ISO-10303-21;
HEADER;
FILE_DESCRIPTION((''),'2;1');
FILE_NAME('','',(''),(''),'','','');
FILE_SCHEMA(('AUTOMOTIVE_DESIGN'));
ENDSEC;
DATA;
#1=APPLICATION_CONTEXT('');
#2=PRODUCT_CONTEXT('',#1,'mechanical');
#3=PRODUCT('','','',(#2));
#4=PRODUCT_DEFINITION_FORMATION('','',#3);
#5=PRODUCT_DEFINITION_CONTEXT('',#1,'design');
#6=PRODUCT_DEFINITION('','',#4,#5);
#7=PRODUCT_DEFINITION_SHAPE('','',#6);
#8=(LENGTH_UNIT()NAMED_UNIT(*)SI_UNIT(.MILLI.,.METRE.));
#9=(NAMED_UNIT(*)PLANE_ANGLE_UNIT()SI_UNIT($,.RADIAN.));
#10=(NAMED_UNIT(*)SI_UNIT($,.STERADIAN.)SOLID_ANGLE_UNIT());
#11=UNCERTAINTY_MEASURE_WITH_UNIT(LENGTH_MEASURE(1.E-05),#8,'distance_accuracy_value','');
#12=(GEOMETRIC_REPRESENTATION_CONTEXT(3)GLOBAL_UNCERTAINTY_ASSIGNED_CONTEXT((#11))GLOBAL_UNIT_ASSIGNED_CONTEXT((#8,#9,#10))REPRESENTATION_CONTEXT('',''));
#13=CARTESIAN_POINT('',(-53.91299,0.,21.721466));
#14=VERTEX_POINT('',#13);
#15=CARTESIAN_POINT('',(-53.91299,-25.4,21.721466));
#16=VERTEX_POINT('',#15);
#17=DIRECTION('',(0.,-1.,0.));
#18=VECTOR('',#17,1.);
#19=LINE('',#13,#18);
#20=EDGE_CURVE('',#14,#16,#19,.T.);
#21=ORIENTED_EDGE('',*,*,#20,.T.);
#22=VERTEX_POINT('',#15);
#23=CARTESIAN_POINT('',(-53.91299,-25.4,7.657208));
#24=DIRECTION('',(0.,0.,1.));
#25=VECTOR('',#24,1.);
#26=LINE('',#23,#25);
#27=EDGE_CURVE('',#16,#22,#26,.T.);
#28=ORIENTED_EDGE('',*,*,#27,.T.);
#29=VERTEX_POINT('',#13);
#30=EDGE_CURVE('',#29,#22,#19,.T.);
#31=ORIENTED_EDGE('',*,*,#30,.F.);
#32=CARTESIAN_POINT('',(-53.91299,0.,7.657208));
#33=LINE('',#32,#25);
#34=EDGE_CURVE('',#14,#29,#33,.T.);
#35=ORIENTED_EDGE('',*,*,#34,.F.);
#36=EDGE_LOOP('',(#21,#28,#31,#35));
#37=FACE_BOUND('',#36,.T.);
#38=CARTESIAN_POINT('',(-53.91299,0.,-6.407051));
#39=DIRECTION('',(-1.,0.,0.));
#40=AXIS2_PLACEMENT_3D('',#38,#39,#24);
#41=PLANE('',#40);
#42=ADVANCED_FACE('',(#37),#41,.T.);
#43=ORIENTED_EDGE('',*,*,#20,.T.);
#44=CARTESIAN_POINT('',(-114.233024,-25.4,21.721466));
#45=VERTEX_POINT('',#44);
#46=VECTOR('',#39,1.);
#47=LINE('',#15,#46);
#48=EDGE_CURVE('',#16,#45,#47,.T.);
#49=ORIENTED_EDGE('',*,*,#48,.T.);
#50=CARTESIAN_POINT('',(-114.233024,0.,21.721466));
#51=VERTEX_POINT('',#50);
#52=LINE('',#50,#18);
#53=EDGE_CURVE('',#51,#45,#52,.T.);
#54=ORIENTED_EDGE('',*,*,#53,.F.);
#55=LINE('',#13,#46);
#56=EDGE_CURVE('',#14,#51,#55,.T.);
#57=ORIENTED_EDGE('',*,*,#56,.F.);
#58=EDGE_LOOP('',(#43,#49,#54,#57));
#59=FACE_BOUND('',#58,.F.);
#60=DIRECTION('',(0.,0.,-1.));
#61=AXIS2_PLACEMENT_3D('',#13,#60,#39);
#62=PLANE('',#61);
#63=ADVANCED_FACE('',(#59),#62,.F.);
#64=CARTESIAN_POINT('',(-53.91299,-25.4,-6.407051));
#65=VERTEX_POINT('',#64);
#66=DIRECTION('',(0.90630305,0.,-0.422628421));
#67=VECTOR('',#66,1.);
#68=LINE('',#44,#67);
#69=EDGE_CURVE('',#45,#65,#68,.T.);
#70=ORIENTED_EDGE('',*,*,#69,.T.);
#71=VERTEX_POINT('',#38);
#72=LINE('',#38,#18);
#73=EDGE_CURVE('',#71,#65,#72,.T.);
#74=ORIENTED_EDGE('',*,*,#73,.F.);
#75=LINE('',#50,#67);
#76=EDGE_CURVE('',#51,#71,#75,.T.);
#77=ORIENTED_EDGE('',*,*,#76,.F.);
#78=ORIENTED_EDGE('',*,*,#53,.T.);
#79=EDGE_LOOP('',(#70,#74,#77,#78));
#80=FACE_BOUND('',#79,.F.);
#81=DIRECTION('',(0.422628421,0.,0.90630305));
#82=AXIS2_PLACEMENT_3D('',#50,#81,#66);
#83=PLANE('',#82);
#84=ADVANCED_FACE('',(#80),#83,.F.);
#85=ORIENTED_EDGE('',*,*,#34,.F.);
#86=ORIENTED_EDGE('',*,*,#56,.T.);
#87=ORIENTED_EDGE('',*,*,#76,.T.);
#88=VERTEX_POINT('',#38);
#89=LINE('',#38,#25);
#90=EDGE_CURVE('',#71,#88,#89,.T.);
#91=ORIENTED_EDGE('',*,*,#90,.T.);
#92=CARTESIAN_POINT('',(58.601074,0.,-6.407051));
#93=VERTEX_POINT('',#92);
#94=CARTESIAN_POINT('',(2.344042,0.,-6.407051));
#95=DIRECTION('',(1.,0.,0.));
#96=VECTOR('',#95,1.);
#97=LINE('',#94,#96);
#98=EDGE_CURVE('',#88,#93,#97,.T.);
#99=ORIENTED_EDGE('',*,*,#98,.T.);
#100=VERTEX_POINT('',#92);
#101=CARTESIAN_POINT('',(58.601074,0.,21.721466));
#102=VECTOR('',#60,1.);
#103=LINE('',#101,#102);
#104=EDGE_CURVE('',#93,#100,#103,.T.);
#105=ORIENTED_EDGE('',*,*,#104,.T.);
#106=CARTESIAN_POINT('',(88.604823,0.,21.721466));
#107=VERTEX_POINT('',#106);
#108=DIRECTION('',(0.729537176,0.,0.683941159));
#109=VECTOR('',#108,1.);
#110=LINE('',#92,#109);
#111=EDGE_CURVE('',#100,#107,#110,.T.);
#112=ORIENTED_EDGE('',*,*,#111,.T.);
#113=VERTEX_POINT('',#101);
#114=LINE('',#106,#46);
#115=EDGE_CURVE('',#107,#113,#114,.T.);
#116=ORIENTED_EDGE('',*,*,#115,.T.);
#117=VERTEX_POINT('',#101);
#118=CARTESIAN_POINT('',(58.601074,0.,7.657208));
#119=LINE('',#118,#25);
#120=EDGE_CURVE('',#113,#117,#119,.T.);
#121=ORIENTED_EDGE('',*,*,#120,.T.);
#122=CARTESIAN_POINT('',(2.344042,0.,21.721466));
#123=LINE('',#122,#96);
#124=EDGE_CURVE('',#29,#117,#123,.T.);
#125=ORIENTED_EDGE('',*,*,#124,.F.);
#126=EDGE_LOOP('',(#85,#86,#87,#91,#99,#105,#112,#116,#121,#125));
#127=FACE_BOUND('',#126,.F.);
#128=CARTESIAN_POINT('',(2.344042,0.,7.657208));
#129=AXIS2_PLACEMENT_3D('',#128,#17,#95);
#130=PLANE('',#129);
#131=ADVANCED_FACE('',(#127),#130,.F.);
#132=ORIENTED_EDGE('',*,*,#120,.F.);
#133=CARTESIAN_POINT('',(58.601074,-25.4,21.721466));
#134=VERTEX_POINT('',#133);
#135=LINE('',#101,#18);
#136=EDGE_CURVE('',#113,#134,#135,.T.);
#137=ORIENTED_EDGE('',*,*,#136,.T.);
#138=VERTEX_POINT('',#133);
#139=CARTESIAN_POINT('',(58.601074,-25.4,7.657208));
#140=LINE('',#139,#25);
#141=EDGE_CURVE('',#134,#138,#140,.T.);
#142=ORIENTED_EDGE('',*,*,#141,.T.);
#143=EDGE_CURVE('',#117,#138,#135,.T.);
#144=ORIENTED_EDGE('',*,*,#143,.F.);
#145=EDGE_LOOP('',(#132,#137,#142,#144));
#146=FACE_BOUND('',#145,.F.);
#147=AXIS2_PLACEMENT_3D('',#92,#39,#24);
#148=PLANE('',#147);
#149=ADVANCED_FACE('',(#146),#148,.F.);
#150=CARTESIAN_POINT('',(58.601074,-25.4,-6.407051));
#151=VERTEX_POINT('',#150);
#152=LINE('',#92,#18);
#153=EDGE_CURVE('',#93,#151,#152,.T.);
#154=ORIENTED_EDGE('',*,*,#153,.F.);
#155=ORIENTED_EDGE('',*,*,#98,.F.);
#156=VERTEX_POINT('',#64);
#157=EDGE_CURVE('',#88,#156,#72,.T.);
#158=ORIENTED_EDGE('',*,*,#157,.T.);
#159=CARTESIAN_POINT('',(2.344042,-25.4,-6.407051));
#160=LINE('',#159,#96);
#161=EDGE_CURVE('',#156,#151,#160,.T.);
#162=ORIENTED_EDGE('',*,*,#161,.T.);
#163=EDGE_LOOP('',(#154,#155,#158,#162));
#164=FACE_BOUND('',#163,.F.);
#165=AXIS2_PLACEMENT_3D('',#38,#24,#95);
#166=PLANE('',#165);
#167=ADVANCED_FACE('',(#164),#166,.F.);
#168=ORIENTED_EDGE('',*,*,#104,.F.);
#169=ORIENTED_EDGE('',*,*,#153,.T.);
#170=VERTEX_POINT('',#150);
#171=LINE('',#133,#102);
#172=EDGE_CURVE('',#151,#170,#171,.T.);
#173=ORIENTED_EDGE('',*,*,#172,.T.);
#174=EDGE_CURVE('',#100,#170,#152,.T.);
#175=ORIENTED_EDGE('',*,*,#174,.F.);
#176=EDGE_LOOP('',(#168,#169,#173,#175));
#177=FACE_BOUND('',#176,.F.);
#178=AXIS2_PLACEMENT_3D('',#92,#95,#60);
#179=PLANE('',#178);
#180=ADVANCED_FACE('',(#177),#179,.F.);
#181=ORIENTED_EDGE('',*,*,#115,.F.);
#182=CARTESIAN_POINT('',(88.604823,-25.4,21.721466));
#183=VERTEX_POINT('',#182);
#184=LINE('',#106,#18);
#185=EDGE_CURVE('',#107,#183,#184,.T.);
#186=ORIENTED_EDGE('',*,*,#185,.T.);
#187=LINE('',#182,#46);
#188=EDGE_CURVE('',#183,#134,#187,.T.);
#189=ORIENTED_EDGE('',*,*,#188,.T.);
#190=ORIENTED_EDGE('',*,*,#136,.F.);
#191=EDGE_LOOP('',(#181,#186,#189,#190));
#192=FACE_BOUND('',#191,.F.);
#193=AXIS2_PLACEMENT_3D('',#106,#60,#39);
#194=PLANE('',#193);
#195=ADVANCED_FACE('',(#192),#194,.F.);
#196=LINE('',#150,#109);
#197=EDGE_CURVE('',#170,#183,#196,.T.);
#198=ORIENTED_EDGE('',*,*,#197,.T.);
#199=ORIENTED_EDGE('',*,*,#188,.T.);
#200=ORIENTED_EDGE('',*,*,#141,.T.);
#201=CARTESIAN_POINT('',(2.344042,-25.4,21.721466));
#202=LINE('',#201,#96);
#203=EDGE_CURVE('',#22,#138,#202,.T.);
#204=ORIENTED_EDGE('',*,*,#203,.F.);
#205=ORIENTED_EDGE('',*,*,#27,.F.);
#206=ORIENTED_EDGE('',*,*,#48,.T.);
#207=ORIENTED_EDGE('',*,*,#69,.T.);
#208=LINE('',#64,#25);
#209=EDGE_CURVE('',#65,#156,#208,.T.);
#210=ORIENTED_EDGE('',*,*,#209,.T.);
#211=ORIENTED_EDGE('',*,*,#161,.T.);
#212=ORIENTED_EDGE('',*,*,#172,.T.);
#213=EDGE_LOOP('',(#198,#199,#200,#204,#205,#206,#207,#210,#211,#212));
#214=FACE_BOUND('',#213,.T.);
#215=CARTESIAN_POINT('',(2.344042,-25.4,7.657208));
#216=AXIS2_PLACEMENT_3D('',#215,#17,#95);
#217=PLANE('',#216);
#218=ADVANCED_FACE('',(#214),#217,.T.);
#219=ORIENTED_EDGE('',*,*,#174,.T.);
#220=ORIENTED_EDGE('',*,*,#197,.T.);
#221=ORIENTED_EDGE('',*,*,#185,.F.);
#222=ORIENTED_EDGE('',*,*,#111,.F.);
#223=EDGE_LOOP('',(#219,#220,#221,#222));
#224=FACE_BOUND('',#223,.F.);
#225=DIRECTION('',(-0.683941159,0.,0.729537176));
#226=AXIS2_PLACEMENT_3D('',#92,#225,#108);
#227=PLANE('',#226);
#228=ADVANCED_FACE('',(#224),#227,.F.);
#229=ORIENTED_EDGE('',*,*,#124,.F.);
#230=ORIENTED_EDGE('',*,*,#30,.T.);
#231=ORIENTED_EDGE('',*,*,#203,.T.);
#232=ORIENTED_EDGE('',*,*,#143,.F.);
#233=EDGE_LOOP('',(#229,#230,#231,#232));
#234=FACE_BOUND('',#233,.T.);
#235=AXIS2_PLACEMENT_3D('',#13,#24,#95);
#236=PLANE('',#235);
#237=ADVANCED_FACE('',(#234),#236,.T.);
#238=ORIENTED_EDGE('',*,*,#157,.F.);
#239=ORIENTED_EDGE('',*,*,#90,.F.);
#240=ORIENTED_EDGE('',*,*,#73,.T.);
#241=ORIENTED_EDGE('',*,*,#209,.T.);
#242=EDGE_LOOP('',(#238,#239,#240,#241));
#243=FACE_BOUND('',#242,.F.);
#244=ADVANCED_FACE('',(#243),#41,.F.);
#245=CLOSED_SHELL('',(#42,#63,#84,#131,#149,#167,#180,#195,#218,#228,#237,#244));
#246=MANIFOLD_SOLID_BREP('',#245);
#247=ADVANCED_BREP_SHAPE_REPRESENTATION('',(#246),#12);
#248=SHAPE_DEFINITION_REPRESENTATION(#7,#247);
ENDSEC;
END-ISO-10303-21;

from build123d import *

# Parameters (mm, degrees)
F0_W     = 112.514064
F0_H     = 28.128517
F1_DEPTH = 25.4
F2_DEPTH = 25.4


with BuildPart() as f1:
    # F0 (on Front) → F1 (new body)
    with BuildSketch(Plane.XZ):
        with Locations((2.344042, 7.657208)):
            Rectangle(F0_W, F0_H)
    extrude(amount=F1_DEPTH)

    # F0 (on Front) → F2 (join)
    with BuildSketch(Plane.XZ):
        with Locations((2.344042, 7.657208)):
            Rectangle(F0_W, F0_H)
        Polygon((-53.91299, -6.407051), (-53.91299, 21.721466), (-114.233024, 21.721466), align=None)
        Polygon((88.604823, 21.721466), (58.601074, 21.721466), (58.601074, -6.407051), align=None)
    extrude(amount=F2_DEPTH)


solid = f1.part
